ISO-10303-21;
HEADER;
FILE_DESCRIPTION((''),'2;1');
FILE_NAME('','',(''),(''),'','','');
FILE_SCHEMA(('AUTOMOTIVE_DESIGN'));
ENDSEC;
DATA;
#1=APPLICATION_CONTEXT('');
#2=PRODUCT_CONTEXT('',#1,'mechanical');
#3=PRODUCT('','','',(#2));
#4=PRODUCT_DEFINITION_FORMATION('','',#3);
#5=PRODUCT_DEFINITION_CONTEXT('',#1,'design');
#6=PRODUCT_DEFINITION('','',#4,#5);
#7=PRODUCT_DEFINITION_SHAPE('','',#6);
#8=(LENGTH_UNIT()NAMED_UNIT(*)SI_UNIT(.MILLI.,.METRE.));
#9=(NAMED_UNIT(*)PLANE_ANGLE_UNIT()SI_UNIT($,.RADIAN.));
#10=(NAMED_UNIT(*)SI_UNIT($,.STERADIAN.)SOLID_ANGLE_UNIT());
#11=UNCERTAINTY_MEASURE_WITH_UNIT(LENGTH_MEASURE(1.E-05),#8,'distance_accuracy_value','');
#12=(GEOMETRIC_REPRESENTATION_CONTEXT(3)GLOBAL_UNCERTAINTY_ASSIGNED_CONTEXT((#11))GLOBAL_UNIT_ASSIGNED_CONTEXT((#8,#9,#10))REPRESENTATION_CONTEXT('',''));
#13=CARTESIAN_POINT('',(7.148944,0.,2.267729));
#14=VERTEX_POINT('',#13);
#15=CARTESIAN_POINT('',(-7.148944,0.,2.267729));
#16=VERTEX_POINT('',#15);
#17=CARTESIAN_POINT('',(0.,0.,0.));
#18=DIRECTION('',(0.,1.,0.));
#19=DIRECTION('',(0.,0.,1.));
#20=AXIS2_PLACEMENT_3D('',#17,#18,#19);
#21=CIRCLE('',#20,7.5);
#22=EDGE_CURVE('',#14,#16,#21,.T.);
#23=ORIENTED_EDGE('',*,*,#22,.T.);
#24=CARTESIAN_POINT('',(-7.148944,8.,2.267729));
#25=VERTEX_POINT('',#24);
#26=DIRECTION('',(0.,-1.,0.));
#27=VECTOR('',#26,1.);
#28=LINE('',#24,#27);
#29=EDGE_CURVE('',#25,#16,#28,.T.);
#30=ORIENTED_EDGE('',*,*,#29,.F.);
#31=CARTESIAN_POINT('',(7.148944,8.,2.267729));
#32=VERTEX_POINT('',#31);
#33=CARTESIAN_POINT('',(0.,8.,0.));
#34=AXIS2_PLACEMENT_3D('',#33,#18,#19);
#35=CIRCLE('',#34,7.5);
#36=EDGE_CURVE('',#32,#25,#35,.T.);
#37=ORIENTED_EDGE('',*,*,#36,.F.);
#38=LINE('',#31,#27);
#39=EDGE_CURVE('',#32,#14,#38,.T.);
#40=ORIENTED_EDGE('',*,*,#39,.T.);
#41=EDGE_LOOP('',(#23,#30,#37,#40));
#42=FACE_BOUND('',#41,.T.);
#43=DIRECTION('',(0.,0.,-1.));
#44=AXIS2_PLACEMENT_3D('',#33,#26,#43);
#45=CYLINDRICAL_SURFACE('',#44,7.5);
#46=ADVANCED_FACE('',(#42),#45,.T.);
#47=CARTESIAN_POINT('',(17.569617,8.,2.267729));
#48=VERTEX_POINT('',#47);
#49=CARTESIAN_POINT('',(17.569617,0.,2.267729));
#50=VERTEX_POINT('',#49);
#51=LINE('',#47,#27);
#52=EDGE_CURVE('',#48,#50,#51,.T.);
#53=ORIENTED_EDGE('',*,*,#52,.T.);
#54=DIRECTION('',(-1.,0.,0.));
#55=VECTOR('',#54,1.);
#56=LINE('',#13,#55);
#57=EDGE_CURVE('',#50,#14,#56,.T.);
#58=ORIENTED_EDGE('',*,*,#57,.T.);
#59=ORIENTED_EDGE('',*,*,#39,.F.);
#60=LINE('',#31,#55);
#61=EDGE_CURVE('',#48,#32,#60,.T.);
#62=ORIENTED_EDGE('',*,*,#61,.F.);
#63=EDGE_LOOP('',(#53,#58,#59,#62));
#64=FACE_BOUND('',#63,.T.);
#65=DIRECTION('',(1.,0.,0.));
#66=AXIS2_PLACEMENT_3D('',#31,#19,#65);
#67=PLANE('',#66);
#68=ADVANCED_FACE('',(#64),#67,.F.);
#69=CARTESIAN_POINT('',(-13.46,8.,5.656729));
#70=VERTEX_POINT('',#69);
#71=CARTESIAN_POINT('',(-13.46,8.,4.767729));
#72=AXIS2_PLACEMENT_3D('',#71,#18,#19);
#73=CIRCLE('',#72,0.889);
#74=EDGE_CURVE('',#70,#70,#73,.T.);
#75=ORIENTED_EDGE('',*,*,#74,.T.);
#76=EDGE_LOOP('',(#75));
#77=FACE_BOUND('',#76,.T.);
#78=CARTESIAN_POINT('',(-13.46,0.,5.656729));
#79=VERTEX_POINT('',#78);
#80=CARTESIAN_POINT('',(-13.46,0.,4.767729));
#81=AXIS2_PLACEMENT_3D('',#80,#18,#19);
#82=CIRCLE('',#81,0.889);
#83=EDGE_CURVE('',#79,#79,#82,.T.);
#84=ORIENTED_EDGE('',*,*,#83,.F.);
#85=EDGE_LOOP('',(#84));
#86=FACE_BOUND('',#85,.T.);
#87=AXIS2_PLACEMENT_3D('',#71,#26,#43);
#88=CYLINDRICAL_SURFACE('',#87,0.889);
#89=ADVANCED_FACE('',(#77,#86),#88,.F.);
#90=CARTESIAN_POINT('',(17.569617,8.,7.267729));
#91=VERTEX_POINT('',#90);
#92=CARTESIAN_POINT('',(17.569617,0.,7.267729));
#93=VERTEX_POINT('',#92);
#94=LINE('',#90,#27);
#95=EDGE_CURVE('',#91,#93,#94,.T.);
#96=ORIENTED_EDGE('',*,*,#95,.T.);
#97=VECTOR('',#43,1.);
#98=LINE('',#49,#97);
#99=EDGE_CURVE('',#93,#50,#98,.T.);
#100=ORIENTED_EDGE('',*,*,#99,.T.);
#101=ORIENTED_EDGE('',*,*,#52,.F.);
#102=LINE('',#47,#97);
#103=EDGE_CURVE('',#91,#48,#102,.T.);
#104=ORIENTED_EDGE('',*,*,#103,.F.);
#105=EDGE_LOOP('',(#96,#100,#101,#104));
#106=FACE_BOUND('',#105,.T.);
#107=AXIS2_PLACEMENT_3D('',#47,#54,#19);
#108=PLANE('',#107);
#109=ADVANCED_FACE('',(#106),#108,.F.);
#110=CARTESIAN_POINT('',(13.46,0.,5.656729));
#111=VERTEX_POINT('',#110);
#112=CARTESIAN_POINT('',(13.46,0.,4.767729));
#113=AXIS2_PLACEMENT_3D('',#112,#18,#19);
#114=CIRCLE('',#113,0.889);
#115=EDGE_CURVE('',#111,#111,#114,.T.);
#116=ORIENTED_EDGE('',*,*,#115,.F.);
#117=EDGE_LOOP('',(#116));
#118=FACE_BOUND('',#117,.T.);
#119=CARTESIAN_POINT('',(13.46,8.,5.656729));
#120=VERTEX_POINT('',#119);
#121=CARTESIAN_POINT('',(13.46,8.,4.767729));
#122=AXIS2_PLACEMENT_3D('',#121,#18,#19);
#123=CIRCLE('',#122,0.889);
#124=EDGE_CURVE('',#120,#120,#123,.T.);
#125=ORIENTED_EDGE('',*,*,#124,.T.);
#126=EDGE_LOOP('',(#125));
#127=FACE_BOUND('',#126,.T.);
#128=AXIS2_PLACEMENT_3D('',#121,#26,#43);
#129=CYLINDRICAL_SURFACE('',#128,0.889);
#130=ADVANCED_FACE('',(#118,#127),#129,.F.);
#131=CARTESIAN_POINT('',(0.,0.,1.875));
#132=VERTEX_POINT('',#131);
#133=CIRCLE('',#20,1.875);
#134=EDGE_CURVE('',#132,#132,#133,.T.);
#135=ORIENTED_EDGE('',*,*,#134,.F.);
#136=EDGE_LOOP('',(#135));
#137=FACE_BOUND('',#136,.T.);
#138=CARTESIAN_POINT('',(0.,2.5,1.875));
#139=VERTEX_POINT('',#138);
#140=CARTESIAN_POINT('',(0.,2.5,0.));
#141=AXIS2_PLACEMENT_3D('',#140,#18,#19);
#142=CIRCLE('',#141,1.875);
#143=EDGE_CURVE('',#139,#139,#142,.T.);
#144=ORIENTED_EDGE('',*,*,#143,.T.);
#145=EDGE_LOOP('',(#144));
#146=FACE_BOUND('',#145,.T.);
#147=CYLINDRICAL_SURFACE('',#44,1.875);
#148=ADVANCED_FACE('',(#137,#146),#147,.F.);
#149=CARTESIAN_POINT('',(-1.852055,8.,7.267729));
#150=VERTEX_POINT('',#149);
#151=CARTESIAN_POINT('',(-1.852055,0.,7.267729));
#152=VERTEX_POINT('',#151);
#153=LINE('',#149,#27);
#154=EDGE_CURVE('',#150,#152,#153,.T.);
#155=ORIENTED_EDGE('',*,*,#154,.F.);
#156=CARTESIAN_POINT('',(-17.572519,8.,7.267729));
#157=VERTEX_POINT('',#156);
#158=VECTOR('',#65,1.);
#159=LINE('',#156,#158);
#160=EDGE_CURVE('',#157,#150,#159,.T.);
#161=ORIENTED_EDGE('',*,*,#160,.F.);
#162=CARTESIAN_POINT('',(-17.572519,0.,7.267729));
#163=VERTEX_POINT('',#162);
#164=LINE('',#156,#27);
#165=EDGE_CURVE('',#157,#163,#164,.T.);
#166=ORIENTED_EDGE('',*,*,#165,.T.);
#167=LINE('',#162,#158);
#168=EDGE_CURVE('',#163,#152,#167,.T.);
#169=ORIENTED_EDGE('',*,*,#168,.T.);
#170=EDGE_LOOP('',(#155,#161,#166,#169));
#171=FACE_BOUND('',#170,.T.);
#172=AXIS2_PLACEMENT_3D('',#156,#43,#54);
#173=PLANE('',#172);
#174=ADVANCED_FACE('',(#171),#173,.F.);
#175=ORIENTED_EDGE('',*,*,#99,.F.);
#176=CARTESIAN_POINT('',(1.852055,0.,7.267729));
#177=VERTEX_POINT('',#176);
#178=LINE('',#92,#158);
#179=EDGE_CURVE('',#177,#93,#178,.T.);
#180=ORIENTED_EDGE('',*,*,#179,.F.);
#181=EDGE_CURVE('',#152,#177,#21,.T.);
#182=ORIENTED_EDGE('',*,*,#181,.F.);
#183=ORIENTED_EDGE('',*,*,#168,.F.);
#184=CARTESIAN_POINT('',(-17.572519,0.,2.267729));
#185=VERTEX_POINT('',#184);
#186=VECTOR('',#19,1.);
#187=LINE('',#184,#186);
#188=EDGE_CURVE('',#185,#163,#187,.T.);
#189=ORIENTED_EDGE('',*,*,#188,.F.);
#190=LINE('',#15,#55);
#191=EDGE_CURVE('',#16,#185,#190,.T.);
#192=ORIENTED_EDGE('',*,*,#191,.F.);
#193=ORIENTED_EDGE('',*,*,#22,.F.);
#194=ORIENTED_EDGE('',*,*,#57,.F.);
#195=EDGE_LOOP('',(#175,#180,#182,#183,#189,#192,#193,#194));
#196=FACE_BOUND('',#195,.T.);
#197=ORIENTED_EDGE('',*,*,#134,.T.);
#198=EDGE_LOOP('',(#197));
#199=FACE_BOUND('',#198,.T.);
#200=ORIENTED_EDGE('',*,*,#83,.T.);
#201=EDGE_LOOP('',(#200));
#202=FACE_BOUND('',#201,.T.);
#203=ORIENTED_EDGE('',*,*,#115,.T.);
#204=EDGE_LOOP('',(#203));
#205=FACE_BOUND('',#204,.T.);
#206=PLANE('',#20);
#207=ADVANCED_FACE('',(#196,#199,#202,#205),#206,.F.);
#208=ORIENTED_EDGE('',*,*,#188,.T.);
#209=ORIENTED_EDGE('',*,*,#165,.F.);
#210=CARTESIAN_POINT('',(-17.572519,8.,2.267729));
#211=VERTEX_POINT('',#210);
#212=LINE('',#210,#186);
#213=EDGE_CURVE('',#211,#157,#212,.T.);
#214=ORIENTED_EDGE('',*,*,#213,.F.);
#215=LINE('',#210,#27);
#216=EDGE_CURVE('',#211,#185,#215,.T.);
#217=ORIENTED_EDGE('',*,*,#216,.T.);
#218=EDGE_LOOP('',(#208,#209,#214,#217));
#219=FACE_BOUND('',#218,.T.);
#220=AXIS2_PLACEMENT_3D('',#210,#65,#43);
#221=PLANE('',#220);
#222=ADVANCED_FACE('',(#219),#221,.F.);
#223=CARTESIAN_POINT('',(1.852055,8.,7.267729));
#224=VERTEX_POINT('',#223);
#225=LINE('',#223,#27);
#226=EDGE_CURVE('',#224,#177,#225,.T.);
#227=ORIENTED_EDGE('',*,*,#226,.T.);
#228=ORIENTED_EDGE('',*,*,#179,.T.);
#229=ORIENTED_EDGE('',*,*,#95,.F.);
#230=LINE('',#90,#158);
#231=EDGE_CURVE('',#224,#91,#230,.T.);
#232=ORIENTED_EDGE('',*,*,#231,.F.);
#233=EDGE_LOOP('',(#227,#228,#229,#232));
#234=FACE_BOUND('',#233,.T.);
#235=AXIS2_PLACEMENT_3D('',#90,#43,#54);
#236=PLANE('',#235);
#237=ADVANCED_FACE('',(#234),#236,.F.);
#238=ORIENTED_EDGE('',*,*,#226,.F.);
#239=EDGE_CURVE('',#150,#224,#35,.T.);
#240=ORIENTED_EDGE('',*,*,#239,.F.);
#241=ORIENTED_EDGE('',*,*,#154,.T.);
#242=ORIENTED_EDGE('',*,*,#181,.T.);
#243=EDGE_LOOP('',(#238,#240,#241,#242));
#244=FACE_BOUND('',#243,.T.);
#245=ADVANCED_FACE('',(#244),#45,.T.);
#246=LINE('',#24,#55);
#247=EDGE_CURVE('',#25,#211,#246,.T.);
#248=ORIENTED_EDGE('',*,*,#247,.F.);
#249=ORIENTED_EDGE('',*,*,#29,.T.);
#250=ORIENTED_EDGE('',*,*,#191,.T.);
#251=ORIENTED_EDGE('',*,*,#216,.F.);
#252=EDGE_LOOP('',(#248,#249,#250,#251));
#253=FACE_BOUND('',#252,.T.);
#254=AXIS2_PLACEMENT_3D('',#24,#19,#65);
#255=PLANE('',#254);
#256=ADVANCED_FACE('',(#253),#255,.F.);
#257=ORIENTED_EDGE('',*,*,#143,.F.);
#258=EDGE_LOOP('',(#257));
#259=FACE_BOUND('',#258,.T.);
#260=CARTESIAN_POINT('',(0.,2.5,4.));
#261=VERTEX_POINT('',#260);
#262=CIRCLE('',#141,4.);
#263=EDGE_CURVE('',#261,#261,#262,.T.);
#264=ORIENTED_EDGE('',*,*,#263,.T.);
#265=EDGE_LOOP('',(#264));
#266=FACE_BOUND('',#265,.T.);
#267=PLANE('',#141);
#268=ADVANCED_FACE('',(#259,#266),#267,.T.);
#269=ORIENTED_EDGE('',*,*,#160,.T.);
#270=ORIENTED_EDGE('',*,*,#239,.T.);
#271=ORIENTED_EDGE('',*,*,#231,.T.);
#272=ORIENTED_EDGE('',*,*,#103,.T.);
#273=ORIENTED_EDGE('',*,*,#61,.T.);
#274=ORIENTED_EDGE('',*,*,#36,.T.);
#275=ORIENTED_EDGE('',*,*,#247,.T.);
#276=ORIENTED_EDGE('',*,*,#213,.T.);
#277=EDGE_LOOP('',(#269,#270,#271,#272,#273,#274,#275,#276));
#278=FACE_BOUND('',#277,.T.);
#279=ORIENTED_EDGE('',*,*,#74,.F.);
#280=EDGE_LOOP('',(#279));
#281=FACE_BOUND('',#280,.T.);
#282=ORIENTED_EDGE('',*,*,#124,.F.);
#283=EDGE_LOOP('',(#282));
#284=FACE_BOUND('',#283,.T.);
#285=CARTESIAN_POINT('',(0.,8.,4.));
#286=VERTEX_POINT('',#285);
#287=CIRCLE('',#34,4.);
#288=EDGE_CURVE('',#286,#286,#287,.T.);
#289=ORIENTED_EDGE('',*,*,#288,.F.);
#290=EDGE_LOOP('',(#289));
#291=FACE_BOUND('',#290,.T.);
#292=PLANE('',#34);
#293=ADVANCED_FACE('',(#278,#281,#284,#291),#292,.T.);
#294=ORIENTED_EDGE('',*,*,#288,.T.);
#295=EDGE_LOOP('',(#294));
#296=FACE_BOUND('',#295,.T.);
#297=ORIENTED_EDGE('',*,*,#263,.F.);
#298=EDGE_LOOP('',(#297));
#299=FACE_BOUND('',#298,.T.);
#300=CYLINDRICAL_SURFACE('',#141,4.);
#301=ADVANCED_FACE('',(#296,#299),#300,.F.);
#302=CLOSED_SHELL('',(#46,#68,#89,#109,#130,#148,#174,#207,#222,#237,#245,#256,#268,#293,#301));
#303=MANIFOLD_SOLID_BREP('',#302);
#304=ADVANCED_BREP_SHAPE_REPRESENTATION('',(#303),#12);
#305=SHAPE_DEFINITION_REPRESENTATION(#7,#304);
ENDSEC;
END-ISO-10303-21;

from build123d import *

# Parameters (mm, degrees)
SKETCH1_R           = 1.875
SKETCH1_R_2         = 0.889
BOSS_EXTRUDE1_DEPTH = 8
SKETCH2_R           = 4
CUT_EXTRUDE1_DEPTH  = 5.5


with BuildPart() as part:
    # Sketch1 → Boss-Extrude1 (new body)
    with BuildSketch(Plane(origin=(0, 0, 0), x_dir=(1, 0, 0), z_dir=(0, 1, 0))):
        with BuildLine():
            Line((-7.148944203, -2.267729434), (-17.572518578, -2.267729434))
            Line((-17.572518578, -2.267729434), (-17.572518578, -7.267729434))
            Line((-17.572518578, -7.267729434), (-1.852055311, -7.267729434))
            ThreePointArc((-1.852055311, -7.267729434), (0, -7.5), (1.852055311, -7.267729434))
            Line((1.852055311, -7.267729434), (17.569617046, -7.267729434))
            Line((17.569617046, -7.267729434), (17.569617046, -2.267729434))
            Line((17.569617046, -2.267729434), (7.148944203, -2.267729434))
            ThreePointArc((7.148944203, -2.267729434), (0, 7.5), (-7.148944203, -2.267729434))
        make_face()
        with Locations(Location((0, 0, 0), (0, 0, 270))):
            Circle(SKETCH1_R, mode=Mode.SUBTRACT)
        with Locations(Location((-13.46, -4.767729434, 0), (0, 0, 270))):
            Circle(SKETCH1_R_2, mode=Mode.SUBTRACT)
        with Locations(Location((13.46, -4.767729434, 0), (0, 0, 270))):
            Circle(SKETCH1_R_2, mode=Mode.SUBTRACT)
    extrude(amount=BOSS_EXTRUDE1_DEPTH)

    # Sketch2 → Cut-Extrude1 (cut)
    with BuildSketch(Plane(origin=(0, 8, 0), x_dir=(1, 0, 0), z_dir=(0, 1, 0))):
        with Locations(Location((0, 0, 0), (0, 0, 270))):
            Circle(SKETCH2_R)
    extrude(amount=-CUT_EXTRUDE1_DEPTH, mode=Mode.SUBTRACT)


solid = part.part
